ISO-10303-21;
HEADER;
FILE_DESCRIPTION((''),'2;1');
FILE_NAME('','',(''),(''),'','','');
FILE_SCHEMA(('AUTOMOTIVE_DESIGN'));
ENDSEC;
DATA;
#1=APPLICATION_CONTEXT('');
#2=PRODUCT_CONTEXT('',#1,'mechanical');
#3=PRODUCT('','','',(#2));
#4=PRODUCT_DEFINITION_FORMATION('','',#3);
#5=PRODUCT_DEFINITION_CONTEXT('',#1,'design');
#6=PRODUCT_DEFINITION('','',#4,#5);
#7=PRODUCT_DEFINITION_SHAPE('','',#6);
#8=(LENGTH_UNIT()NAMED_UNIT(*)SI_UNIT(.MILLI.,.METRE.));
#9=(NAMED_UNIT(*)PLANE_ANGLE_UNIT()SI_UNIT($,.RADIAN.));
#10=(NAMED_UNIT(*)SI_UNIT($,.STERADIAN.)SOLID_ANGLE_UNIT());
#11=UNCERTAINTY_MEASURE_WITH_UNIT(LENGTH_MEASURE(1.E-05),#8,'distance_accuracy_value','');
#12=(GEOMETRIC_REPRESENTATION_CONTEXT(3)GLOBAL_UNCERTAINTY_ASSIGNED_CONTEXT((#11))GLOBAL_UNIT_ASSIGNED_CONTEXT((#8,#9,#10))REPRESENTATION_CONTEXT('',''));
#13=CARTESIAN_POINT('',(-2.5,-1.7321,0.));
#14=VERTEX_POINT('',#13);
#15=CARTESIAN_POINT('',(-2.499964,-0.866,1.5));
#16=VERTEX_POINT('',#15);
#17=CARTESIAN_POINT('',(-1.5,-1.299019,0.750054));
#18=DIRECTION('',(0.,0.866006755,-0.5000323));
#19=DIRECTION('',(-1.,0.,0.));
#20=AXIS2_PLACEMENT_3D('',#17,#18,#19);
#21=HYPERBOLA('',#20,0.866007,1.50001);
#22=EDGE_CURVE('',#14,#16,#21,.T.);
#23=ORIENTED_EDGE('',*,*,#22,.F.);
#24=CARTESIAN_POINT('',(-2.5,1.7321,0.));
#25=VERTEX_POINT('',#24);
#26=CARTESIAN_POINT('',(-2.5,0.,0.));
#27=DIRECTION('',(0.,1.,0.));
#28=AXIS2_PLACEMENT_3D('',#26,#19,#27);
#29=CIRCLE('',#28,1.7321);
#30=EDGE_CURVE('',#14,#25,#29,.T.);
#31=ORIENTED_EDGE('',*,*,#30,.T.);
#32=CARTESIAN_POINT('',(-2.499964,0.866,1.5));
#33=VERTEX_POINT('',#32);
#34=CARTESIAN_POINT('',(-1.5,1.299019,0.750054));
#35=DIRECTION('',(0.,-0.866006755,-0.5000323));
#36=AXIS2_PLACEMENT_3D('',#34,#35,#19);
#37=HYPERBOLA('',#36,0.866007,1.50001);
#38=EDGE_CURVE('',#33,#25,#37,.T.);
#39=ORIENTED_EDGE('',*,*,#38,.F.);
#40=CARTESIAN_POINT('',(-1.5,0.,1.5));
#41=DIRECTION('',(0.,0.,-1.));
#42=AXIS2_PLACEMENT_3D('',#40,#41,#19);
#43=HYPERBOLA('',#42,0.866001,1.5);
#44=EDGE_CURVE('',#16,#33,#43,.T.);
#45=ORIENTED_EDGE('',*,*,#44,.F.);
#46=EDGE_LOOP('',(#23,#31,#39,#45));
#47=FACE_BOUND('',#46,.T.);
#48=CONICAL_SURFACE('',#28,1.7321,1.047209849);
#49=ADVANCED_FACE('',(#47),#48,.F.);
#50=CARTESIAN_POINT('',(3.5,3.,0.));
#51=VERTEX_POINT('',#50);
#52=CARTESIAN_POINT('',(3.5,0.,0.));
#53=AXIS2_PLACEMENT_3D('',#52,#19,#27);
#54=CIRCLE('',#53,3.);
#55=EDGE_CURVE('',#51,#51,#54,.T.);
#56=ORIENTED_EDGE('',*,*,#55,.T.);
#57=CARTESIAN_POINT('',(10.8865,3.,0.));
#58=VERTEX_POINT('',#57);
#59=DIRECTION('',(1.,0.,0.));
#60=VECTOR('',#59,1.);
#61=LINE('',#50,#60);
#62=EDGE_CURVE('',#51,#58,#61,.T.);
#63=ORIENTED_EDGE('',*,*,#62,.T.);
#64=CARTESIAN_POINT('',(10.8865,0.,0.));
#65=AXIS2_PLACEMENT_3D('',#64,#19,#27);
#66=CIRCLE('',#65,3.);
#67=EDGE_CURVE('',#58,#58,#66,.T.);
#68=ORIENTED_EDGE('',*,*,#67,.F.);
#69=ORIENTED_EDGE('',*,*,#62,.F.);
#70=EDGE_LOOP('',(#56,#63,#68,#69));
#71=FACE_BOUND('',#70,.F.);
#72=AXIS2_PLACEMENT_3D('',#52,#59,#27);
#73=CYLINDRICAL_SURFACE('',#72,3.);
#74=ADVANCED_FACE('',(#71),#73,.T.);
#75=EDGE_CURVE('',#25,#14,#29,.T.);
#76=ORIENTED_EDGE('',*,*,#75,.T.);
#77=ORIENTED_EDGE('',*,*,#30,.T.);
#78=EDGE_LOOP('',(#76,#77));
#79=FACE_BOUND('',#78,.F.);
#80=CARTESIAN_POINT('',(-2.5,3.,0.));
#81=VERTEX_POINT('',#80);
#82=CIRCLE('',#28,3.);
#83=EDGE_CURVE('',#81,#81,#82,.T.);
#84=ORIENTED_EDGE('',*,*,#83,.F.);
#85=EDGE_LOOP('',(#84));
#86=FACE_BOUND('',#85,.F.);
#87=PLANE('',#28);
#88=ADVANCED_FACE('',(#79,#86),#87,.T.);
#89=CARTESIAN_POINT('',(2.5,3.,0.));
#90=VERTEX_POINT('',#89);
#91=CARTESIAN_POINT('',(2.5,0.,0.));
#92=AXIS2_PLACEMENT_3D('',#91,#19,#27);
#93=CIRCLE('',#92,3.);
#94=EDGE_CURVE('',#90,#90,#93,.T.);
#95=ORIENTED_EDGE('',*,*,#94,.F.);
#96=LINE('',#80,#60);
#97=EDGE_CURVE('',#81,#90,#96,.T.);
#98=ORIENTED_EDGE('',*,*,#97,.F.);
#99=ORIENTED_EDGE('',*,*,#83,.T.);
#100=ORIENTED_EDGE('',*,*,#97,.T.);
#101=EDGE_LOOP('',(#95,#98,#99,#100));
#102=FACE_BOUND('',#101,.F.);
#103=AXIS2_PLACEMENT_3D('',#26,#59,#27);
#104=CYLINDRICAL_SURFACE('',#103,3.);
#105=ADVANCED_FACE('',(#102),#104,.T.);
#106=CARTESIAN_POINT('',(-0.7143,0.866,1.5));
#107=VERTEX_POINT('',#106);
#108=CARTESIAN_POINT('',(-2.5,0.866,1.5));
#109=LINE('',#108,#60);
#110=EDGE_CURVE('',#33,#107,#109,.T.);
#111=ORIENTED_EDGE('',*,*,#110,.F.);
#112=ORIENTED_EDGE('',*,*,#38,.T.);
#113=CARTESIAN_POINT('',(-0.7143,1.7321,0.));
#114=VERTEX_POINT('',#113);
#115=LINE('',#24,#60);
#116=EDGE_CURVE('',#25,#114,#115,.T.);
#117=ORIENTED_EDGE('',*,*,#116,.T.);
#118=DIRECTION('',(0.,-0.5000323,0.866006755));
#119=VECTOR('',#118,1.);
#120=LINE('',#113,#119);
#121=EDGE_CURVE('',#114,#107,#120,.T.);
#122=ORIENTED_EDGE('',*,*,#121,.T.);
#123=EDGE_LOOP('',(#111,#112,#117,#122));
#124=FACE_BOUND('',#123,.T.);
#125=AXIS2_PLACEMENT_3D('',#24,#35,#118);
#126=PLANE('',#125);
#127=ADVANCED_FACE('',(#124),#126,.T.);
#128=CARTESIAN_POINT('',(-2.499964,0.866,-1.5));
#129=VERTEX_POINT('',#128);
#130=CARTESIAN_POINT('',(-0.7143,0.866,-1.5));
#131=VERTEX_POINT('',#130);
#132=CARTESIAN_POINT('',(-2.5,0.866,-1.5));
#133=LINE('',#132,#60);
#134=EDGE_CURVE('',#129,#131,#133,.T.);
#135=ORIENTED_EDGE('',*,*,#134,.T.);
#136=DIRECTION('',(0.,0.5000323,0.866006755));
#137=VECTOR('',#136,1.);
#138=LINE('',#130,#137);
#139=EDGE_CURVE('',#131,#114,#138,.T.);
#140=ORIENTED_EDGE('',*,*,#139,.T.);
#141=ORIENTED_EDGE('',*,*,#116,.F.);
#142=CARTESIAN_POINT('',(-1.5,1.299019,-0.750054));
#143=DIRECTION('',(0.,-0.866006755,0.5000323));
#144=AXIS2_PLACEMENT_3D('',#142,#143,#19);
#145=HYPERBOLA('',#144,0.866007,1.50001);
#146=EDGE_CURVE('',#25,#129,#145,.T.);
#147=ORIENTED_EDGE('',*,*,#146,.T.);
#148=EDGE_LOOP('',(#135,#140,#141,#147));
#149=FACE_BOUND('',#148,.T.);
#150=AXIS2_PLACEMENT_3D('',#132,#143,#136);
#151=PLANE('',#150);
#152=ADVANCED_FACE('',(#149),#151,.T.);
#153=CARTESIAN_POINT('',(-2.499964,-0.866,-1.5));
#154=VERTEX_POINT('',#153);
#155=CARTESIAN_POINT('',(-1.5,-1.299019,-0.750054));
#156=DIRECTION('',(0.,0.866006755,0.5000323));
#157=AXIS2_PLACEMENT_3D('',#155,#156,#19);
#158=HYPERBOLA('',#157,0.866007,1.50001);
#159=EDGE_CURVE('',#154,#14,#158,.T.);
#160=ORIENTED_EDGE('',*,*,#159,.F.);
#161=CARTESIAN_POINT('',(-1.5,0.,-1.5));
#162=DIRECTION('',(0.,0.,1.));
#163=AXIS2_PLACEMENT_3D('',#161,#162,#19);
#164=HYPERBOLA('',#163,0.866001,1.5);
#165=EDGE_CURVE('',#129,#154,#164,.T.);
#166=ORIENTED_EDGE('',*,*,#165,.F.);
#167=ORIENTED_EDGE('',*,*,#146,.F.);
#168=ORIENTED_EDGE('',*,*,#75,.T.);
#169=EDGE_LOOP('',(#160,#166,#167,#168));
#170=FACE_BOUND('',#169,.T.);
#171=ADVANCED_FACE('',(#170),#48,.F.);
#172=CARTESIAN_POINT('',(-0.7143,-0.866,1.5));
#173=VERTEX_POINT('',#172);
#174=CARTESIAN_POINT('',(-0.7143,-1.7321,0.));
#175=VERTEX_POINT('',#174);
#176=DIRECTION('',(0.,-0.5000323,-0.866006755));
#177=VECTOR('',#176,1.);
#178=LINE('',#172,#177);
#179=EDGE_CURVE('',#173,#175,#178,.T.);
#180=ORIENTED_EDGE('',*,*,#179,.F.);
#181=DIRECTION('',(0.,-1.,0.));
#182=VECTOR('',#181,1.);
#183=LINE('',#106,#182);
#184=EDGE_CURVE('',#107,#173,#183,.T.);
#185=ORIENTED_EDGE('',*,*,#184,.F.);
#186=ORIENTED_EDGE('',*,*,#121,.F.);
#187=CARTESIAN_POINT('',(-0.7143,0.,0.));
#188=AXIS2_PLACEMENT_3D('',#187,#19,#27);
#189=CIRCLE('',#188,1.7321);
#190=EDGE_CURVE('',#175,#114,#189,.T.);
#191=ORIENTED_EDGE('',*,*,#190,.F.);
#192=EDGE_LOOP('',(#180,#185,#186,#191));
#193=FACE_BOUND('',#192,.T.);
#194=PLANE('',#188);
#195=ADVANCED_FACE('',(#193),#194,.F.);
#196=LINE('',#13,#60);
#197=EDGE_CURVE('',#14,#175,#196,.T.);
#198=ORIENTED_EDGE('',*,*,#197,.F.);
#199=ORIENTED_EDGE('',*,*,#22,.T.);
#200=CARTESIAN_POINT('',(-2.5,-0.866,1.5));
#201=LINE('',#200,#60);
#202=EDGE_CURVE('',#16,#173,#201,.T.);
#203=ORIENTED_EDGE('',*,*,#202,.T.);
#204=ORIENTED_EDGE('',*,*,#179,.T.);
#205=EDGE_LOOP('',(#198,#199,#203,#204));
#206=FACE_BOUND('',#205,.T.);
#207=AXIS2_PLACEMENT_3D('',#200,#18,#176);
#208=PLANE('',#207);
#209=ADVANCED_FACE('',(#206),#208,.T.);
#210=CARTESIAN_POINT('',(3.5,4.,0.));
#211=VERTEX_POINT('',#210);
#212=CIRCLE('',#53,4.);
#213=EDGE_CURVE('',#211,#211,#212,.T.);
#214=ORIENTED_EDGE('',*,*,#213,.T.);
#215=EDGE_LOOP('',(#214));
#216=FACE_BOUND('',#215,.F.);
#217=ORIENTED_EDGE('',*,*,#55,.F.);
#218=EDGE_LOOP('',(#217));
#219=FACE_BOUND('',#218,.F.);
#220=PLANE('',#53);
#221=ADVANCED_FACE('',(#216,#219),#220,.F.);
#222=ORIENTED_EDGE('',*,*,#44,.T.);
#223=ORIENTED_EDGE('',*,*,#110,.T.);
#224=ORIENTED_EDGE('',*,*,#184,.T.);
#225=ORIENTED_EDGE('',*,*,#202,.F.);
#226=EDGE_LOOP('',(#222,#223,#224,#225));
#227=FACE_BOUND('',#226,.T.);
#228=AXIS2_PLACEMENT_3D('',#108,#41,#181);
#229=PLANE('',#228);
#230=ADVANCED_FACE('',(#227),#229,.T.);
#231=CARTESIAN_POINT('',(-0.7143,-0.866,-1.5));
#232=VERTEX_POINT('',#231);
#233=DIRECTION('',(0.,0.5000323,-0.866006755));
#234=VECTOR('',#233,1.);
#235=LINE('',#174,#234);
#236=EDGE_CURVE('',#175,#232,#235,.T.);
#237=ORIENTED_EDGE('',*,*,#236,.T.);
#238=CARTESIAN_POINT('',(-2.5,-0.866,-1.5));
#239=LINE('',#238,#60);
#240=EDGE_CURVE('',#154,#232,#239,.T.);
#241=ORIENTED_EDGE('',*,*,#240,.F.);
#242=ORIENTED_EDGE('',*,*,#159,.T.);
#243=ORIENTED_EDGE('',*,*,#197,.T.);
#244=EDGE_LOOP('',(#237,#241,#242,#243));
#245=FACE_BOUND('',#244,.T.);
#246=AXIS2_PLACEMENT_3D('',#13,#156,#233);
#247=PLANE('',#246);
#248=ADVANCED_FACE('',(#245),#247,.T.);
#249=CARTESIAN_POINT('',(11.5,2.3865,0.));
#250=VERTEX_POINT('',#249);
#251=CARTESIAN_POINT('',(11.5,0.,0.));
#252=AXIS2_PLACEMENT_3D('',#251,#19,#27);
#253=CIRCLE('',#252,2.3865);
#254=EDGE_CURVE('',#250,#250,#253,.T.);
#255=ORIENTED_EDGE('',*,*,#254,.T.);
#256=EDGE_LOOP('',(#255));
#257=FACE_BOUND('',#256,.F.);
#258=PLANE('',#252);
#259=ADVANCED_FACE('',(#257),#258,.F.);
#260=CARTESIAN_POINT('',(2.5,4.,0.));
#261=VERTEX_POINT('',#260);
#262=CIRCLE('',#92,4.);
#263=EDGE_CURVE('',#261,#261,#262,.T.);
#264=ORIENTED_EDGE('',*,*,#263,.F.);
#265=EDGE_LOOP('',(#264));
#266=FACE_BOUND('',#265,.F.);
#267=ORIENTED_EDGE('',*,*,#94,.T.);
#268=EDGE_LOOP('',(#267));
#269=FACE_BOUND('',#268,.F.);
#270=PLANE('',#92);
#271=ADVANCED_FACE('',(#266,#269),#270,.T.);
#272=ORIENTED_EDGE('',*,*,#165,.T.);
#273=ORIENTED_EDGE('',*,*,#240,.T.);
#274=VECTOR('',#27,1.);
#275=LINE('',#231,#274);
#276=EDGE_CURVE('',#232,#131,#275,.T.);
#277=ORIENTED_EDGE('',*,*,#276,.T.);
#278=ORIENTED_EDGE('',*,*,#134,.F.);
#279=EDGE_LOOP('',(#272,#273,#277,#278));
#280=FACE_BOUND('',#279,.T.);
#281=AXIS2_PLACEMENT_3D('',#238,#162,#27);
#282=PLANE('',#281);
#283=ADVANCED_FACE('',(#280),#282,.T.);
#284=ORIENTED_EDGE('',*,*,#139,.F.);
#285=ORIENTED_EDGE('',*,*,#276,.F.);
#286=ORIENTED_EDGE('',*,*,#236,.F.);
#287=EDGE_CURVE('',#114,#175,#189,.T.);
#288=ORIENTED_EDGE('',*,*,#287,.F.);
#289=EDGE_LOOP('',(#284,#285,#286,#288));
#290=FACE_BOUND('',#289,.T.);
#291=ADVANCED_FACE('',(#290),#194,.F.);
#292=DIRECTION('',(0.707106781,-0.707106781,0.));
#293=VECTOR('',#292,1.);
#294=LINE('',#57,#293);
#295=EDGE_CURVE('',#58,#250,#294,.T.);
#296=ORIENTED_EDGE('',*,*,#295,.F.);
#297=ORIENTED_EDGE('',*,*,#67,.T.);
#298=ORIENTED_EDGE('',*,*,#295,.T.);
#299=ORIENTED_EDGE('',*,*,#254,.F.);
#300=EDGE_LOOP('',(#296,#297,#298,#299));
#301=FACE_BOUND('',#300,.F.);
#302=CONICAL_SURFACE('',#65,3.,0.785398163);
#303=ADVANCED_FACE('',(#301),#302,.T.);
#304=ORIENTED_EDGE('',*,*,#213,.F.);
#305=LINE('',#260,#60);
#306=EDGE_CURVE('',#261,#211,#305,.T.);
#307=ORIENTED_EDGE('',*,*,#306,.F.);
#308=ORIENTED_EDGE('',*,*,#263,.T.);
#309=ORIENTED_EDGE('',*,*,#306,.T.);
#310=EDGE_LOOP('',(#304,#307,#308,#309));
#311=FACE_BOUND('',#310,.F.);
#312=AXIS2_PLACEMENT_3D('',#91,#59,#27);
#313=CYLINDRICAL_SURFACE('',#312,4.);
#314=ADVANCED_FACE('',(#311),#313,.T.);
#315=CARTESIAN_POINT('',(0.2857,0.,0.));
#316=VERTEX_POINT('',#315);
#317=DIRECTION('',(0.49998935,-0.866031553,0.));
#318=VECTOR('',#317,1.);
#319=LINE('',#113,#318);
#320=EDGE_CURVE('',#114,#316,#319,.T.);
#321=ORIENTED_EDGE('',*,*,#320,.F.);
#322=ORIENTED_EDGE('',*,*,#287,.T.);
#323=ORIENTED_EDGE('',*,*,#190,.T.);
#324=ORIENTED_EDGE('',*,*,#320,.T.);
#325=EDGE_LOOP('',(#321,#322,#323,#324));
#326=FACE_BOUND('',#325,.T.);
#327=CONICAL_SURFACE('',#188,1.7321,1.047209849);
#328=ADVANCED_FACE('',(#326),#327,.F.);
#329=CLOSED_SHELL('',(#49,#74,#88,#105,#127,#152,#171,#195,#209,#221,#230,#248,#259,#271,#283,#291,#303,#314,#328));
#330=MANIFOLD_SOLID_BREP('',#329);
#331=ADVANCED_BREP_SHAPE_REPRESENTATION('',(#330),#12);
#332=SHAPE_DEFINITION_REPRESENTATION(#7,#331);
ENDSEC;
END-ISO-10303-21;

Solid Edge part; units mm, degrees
sketch "Sketch1" plane through (0, 0, 0) normal (0, 0, 1) x (1, 0, 0)
  line L0 (-2.5, 0) -> (-2.5, 3)
  line L1 (-2.5, 3) -> (2.5, 3)
  line L2 (2.5, 3) -> (2.5, 4)
  line L3 (2.5, 4) -> (3.5, 4)
  line L4 (3.5, 4) -> (3.5, 3)
  line L5 (3.5, 3) -> (10.8865, 3)
  line L6 (10.8865, 3) -> (11.5, 2.3865)
  line L7 (11.5, 2.3865) -> (11.5, 0)
  line L8 (11.5, 0) -> (-2.5, 0)
revolve "RevolvedProtrusion1" add sketch "Sketch1" angle 360 about axis through (11.5, 0, 0) along (-1, 0, 0)
cosmetic_thread "Thread1" size "M6"
sketch "Sketch2" plane through (0, 0, 0) normal (0, 0, 1) x (1, 0, 0)
  line L0 (-2.5, 0) -> (-2.5, 1.7321)
  line L1 (-2.5, 1.7321) -> (-1.5, 0)
  line L2 (-1.5, 0) -> (-2.5, 0)
revolve "RevolvedCutout1" cut sketch "Sketch2" angle 360 about axis through (-1.5, 0, 0) along (-1, 0, 0)
sketch "Sketch3" plane through (-2.5, 0, 0) normal (1, 0, 0) x (0, 1, 0)
  line L0 (0.866, 1.5) -> (-0.866, 1.5)
  line L1 (-0.866, 1.5) -> (-1.7321, 0)
  line L2 (-1.7321, 0) -> (-0.866, -1.5)
  line L3 (-0.866, -1.5) -> (0.866, -1.5)
  line L4 (0.866, -1.5) -> (1.7321, 0)
  line L5 (1.7321, 0) -> (0.866, 1.5)
extrude "ExtrudedCutout_1" cut sketch "Sketch3" along normal blind 1.7857
sketch "Sketch4" plane through (0, 0, 0) normal (0, 0, 1) x (1, 0, 0)
  line L0 (-0.7143, 0) -> (-0.7143, 1.7321)
  line L1 (-0.7143, 1.7321) -> (0.2857, 0)
  line L2 (0.2857, 0) -> (-0.7143, 0)
revolve "RevolvedCutout2" cut sketch "Sketch4" angle 360 about axis through (0.2857, 0, 0) along (-1, 0, 0)
properties material "Steel"
